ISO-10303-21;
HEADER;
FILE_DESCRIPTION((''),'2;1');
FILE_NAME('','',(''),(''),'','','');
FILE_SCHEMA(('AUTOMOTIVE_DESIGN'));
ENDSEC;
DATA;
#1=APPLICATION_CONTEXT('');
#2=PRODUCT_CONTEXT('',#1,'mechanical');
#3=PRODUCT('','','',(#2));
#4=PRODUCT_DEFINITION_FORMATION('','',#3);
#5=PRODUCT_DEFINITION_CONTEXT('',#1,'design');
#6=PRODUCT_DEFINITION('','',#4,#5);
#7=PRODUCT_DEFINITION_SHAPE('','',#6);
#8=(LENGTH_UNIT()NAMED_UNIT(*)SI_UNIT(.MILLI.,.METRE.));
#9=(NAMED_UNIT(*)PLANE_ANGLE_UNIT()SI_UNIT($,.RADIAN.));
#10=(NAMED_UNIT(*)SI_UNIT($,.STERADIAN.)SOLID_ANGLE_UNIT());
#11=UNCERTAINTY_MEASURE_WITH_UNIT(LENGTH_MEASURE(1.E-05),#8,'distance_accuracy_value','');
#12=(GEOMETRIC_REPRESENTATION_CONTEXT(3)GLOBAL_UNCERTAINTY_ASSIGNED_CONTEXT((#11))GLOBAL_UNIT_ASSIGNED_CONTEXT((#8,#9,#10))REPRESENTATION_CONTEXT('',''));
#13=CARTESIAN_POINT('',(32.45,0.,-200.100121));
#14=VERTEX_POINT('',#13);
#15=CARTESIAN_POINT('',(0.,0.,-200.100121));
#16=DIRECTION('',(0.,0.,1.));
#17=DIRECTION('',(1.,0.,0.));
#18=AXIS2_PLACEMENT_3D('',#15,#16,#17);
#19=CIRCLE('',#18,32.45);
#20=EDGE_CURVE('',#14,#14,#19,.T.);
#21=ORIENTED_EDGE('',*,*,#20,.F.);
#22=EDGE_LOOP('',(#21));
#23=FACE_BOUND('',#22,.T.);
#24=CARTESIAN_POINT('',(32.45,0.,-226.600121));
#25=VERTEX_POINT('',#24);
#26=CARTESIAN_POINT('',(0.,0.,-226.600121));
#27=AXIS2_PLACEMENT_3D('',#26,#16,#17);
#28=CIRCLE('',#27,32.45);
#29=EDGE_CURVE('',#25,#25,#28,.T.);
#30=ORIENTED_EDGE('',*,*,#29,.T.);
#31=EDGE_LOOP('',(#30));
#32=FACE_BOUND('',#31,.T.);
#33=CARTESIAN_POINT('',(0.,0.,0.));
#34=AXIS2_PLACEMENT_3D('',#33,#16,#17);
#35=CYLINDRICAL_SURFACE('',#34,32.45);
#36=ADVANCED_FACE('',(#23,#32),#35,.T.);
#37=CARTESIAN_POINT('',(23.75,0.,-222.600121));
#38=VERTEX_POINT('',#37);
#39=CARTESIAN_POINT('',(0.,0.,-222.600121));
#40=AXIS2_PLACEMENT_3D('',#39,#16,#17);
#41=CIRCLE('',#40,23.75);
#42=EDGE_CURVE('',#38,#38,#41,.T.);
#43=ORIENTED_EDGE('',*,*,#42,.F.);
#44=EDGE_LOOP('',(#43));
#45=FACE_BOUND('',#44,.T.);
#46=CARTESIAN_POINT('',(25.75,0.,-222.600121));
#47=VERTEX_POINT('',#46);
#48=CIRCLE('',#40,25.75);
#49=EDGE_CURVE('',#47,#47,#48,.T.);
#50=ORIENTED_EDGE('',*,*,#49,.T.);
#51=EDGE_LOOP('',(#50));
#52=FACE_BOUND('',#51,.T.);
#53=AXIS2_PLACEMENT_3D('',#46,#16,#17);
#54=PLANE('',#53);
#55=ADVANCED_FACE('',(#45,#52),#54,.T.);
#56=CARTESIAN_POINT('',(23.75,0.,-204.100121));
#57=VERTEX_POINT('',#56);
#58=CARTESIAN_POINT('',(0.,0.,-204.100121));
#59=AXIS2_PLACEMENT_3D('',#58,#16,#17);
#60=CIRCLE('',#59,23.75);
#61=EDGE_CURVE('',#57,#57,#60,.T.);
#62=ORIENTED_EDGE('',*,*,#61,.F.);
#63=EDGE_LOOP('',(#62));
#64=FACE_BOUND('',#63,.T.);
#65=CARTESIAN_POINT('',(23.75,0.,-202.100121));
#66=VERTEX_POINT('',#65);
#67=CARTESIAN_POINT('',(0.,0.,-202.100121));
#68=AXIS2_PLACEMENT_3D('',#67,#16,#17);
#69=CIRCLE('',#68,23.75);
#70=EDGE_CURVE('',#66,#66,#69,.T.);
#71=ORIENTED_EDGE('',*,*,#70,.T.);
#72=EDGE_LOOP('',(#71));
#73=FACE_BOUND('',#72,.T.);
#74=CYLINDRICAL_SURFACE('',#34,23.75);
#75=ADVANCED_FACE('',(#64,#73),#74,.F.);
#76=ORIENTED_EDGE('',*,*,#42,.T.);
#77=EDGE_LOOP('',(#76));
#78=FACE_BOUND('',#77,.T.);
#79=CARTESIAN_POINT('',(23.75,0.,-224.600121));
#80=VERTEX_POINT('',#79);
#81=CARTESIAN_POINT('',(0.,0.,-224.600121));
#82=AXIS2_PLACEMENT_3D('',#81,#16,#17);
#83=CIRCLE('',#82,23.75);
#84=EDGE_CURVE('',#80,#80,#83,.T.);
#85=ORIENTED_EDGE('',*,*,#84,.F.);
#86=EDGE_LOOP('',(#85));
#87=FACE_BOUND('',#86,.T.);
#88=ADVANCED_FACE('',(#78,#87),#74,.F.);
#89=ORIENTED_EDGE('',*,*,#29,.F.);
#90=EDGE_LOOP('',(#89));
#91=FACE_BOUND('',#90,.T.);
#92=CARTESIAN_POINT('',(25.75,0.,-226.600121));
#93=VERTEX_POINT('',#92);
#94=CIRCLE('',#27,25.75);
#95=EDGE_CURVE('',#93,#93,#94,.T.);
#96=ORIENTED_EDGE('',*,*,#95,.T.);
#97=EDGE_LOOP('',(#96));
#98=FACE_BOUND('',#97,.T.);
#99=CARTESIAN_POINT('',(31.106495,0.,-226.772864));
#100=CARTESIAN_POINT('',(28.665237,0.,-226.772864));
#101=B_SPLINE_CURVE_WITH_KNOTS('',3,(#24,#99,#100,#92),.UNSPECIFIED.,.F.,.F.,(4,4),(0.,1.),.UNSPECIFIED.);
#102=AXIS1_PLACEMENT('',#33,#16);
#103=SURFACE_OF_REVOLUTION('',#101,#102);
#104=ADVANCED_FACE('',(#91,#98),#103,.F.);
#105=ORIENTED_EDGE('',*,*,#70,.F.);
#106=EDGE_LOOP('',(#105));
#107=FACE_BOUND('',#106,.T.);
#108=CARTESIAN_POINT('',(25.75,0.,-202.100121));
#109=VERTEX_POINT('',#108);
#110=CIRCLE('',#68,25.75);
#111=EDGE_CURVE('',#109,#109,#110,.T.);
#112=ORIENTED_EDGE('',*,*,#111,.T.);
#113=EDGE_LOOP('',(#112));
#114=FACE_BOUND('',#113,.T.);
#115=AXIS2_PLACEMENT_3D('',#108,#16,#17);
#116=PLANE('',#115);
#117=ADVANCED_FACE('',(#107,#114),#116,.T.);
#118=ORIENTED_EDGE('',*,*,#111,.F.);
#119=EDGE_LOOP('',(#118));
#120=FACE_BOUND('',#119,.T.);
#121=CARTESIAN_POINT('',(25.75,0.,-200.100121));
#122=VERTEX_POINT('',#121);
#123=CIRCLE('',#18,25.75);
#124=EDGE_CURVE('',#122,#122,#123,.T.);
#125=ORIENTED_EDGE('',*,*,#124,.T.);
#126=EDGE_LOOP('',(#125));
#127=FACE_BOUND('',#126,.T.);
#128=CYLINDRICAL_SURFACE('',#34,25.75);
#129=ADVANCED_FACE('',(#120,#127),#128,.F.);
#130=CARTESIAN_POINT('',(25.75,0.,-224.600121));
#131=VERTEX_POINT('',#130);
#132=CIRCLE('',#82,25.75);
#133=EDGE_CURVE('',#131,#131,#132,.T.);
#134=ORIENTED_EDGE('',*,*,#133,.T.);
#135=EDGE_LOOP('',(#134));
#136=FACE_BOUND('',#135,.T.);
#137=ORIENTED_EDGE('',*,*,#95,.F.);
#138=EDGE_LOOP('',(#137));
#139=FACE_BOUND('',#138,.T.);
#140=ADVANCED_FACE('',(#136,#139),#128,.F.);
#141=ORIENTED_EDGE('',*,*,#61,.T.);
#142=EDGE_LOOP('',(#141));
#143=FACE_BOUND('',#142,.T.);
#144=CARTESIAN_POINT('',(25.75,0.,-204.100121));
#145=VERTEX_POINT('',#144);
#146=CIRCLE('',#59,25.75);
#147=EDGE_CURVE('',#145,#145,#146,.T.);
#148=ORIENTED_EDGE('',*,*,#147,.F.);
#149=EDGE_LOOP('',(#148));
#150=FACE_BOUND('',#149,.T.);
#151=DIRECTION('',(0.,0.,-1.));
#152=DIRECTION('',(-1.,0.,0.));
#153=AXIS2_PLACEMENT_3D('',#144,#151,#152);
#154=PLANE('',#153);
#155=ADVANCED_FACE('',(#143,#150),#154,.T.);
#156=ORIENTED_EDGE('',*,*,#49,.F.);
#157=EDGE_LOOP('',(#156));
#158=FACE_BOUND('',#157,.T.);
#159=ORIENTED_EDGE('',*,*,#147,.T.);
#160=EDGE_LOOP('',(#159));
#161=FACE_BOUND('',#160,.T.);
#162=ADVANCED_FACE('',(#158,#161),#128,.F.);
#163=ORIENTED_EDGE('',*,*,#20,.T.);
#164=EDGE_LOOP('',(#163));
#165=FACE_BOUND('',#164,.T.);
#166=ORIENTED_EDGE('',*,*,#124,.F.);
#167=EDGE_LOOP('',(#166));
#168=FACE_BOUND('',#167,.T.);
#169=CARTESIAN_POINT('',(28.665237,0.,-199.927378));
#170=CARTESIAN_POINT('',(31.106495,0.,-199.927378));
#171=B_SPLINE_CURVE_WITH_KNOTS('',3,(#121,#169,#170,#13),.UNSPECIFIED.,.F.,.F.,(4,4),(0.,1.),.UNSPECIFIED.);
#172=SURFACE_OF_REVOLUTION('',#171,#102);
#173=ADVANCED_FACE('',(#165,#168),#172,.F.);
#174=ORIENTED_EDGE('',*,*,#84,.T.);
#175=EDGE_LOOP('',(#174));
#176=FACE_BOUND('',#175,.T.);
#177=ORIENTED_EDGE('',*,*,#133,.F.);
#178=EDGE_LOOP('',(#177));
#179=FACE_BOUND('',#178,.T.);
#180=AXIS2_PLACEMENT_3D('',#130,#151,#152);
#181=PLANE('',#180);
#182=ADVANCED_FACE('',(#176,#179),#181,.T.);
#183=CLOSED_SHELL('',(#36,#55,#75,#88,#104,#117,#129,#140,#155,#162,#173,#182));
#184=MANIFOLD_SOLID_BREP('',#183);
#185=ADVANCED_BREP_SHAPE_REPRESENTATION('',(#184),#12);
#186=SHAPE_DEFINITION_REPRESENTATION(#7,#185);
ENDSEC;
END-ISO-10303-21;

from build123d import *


with BuildPart() as part:
    # Sketch1 → Revolve1 (revolve)
    with BuildSketch(Plane(origin=(0, 0, 0), x_dir=(1, 0, 0), z_dir=(0, 1, 0))):
        with BuildLine():
            Line((25.75, 226.600121105), (25.75, 224.600121105))
            Line((25.75, 224.600121105), (23.75, 224.600121105))
            Line((23.75, 224.600121105), (23.75, 222.600121105))
            Line((23.75, 222.600121105), (25.75, 222.600121105))
            Line((25.75, 222.600121105), (25.75, 204.100121105))
            Line((25.75, 204.100121105), (23.75, 204.100121105))
            Line((23.75, 204.100121105), (23.75, 202.100121105))
            Line((23.75, 202.100121105), (25.75, 202.100121105))
            Line((25.75, 202.100121105), (25.75, 200.100121105))
            add(Edge.make_bspline(
                [(25.75, 200.100121105), (28.665236828, 199.927378107), (31.106495402, 199.927378107), (32.45, 200.100121105)],
                knots=[0, 0, 0, 0, 1, 1, 1, 1], degree=3))
            Line((32.45, 200.100121105), (32.45, 226.600121105))
            add(Edge.make_bspline(
                [(25.75, 226.600121105), (28.665236828, 226.772864103), (31.106495402, 226.772864103), (32.45, 226.600121105)],
                knots=[0, 0, 0, 0, 1, 1, 1, 1], degree=3))
        make_face()
    revolve(axis=Axis((0, 0, 0), (0, 0, -1)))


solid = part.part
